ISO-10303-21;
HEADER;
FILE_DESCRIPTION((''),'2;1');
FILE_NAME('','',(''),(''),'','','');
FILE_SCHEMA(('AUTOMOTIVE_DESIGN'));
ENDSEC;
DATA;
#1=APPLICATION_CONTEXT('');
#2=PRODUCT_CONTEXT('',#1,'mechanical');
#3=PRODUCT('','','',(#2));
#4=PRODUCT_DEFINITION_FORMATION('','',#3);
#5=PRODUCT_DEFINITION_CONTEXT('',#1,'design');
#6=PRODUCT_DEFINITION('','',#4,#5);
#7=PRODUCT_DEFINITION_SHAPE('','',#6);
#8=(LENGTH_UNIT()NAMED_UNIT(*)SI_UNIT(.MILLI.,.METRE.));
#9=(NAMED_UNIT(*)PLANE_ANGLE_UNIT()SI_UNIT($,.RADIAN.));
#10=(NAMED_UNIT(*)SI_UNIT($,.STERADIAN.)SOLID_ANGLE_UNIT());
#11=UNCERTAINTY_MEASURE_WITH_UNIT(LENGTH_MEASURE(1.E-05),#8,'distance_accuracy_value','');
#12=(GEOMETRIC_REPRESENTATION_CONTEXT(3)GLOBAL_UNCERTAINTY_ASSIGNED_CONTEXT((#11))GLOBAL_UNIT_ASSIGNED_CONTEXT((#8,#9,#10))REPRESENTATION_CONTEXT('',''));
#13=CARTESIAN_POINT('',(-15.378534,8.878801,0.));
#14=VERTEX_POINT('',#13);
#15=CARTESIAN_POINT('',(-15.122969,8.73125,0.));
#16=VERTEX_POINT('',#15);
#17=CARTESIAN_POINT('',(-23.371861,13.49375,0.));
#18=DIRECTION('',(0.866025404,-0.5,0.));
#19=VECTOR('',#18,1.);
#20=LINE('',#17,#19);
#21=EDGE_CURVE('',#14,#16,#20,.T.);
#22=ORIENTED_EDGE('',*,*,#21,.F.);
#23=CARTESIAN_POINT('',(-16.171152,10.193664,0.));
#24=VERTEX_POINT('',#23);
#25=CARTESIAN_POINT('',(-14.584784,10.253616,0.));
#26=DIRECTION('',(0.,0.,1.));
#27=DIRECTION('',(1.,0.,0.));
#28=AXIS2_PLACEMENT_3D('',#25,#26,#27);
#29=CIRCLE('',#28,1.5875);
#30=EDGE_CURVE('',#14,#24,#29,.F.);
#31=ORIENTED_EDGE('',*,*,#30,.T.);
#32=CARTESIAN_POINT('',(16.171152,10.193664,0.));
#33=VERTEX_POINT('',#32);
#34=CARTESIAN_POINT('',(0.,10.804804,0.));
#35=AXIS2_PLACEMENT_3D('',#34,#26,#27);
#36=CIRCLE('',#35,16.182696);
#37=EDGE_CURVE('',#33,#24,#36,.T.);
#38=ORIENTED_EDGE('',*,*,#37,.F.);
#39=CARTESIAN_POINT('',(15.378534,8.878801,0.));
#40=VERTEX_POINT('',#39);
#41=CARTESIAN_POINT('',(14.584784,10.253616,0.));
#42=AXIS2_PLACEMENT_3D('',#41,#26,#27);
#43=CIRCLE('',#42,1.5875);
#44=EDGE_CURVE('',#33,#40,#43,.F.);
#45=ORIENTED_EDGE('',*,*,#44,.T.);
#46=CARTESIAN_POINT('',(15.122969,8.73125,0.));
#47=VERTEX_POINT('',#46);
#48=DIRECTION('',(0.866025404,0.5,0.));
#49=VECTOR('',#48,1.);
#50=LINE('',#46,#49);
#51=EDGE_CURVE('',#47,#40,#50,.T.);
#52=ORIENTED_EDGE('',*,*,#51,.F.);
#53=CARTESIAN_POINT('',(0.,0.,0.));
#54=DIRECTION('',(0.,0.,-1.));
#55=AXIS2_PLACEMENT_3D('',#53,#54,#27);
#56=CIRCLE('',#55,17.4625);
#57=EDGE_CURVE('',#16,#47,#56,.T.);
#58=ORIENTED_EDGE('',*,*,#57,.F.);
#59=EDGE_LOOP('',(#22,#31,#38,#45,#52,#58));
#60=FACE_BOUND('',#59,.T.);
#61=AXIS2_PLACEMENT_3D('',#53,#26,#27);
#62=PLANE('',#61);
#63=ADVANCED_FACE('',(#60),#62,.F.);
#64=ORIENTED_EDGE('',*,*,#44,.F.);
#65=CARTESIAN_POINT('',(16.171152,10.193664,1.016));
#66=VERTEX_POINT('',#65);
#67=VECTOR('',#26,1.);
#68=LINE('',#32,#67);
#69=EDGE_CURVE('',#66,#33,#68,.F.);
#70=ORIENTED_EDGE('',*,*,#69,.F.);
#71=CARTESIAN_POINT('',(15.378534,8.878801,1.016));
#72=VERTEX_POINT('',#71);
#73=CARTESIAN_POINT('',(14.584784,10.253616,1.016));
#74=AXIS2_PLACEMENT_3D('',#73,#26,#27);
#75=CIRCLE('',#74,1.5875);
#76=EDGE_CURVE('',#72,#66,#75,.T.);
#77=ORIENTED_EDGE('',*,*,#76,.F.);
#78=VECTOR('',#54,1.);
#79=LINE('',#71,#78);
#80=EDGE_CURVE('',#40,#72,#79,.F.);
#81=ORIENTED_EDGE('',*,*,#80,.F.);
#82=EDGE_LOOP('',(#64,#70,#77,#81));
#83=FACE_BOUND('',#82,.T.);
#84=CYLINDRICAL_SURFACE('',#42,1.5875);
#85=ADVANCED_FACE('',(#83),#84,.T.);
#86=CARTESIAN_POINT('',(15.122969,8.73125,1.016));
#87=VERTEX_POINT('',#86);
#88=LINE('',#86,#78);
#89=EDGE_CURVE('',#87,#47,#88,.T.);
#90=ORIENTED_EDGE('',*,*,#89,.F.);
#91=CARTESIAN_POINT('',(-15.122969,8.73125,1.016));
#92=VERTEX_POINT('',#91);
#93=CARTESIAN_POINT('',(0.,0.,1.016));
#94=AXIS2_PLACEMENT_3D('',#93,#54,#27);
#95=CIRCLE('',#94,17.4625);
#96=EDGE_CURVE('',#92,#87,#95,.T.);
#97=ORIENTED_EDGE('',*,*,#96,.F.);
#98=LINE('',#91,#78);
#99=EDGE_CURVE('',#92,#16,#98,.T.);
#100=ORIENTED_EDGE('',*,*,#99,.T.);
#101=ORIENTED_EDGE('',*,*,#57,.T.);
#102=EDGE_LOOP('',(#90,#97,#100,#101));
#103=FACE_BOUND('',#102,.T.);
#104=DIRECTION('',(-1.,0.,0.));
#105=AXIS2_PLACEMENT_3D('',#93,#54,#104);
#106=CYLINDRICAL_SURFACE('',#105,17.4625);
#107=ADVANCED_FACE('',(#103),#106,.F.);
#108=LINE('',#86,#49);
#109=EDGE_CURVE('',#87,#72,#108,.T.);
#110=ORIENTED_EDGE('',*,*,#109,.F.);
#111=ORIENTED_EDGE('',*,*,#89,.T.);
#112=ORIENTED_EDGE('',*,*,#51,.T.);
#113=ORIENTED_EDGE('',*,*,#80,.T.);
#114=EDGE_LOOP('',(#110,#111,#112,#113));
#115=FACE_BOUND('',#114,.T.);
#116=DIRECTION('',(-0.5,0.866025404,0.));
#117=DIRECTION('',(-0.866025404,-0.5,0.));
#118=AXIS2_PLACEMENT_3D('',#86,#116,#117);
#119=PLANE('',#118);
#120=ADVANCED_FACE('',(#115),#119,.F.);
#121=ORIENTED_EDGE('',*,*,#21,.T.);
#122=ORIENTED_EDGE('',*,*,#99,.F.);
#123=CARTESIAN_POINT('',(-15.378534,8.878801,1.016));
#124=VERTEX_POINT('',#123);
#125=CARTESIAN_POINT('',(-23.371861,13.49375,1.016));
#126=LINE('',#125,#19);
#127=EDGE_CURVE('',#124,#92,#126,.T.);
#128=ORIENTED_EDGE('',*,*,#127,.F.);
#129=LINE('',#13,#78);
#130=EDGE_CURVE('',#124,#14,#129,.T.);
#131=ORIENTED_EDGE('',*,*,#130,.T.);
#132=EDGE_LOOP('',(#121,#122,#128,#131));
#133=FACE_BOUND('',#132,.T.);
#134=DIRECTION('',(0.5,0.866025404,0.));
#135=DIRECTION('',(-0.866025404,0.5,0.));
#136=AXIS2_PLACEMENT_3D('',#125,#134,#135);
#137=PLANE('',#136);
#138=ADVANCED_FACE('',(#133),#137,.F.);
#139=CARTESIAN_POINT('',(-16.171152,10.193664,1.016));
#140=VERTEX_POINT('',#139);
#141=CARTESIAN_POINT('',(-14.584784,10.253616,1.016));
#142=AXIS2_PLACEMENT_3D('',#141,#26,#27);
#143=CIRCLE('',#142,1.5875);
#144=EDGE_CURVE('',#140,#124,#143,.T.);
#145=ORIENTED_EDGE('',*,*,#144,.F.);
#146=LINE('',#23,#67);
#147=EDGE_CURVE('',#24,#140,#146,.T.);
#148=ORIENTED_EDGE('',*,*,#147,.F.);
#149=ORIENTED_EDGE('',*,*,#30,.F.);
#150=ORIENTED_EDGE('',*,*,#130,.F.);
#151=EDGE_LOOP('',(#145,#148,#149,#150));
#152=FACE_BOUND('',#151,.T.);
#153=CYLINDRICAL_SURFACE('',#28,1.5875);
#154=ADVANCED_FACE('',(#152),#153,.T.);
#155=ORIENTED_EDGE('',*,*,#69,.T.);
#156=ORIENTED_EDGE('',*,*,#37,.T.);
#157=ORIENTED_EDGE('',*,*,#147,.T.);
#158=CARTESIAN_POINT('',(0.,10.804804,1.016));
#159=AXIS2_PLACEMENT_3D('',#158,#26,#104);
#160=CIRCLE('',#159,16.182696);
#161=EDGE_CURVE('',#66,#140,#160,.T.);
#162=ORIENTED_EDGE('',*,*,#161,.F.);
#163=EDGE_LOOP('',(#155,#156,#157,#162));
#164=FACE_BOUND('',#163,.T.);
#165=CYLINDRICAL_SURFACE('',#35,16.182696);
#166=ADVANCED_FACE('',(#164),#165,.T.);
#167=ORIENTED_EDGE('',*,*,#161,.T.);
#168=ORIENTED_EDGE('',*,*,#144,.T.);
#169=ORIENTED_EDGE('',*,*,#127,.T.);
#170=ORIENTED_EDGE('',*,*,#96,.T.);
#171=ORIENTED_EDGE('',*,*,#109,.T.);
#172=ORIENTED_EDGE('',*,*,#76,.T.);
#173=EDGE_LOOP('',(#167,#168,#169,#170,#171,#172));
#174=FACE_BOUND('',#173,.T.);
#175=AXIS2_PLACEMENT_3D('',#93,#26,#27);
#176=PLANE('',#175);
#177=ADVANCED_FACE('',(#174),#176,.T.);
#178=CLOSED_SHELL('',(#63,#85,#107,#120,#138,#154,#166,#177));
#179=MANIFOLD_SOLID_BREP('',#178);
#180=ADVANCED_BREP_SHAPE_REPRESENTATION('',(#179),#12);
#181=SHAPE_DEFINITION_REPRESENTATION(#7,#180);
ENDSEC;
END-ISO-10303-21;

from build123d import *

# Parameters (mm, degrees)
BOSS_EXTRUDE1_DEPTH = 1.016
SKETCH2_OUTSIDE_W   = 58.782
SKETCH2_OUTSIDE_H   = 30.295
CUT_EXTRUDE1_DEPTH  = 36.715560747
FILLET1_R           = 1.5875


with BuildPart() as part:
    # Sketch1 → Boss-Extrude1 (new body)
    with BuildSketch(Plane.XY):
        with BuildLine():
            Line((-23.371860585, 13.49375), (-15.122968614, 8.73125))
            ThreePointArc((-15.122968614, 8.73125), (0, 17.4625), (15.122968614, 8.73125))
            Line((15.122968614, 8.73125), (23.371860585, 13.49375))
            ThreePointArc((23.371860585, 13.49375), (0, 26.9875), (-23.371860585, 13.49375))
        make_face()
    extrude(amount=BOSS_EXTRUDE1_DEPTH)

    # Sketch2 outside → Cut-Extrude1 (cut, through all)
    with BuildSketch(Plane.XY.offset(1.016)):
        with Locations((0, 17.8595)):
            Rectangle(SKETCH2_OUTSIDE_W, SKETCH2_OUTSIDE_H)
        with BuildLine():
            Line((-16.11283565, 9.30275), (-15.122968614, 8.73125))
            ThreePointArc((-15.122968614, 8.73125), (0, 17.4625), (15.122968614, 8.73125))
            Line((15.122968614, 8.73125), (16.11283565, 9.30275))
            ThreePointArc((16.11283565, 9.30275), (0, 26.9875), (-16.11283565, 9.30275))
        make_face(mode=Mode.SUBTRACT)
    extrude(amount=-CUT_EXTRUDE1_DEPTH, mode=Mode.SUBTRACT)

    # Fillet1
    fillet1_edges = [part.edges().sort_by_distance(p)[0] for p in [
        (16.11283565, 9.30275, 0.508),
        (-16.11283565, 9.30275, 0.508),
    ]]
    fillet(fillet1_edges, radius=FILLET1_R)


solid = part.part
